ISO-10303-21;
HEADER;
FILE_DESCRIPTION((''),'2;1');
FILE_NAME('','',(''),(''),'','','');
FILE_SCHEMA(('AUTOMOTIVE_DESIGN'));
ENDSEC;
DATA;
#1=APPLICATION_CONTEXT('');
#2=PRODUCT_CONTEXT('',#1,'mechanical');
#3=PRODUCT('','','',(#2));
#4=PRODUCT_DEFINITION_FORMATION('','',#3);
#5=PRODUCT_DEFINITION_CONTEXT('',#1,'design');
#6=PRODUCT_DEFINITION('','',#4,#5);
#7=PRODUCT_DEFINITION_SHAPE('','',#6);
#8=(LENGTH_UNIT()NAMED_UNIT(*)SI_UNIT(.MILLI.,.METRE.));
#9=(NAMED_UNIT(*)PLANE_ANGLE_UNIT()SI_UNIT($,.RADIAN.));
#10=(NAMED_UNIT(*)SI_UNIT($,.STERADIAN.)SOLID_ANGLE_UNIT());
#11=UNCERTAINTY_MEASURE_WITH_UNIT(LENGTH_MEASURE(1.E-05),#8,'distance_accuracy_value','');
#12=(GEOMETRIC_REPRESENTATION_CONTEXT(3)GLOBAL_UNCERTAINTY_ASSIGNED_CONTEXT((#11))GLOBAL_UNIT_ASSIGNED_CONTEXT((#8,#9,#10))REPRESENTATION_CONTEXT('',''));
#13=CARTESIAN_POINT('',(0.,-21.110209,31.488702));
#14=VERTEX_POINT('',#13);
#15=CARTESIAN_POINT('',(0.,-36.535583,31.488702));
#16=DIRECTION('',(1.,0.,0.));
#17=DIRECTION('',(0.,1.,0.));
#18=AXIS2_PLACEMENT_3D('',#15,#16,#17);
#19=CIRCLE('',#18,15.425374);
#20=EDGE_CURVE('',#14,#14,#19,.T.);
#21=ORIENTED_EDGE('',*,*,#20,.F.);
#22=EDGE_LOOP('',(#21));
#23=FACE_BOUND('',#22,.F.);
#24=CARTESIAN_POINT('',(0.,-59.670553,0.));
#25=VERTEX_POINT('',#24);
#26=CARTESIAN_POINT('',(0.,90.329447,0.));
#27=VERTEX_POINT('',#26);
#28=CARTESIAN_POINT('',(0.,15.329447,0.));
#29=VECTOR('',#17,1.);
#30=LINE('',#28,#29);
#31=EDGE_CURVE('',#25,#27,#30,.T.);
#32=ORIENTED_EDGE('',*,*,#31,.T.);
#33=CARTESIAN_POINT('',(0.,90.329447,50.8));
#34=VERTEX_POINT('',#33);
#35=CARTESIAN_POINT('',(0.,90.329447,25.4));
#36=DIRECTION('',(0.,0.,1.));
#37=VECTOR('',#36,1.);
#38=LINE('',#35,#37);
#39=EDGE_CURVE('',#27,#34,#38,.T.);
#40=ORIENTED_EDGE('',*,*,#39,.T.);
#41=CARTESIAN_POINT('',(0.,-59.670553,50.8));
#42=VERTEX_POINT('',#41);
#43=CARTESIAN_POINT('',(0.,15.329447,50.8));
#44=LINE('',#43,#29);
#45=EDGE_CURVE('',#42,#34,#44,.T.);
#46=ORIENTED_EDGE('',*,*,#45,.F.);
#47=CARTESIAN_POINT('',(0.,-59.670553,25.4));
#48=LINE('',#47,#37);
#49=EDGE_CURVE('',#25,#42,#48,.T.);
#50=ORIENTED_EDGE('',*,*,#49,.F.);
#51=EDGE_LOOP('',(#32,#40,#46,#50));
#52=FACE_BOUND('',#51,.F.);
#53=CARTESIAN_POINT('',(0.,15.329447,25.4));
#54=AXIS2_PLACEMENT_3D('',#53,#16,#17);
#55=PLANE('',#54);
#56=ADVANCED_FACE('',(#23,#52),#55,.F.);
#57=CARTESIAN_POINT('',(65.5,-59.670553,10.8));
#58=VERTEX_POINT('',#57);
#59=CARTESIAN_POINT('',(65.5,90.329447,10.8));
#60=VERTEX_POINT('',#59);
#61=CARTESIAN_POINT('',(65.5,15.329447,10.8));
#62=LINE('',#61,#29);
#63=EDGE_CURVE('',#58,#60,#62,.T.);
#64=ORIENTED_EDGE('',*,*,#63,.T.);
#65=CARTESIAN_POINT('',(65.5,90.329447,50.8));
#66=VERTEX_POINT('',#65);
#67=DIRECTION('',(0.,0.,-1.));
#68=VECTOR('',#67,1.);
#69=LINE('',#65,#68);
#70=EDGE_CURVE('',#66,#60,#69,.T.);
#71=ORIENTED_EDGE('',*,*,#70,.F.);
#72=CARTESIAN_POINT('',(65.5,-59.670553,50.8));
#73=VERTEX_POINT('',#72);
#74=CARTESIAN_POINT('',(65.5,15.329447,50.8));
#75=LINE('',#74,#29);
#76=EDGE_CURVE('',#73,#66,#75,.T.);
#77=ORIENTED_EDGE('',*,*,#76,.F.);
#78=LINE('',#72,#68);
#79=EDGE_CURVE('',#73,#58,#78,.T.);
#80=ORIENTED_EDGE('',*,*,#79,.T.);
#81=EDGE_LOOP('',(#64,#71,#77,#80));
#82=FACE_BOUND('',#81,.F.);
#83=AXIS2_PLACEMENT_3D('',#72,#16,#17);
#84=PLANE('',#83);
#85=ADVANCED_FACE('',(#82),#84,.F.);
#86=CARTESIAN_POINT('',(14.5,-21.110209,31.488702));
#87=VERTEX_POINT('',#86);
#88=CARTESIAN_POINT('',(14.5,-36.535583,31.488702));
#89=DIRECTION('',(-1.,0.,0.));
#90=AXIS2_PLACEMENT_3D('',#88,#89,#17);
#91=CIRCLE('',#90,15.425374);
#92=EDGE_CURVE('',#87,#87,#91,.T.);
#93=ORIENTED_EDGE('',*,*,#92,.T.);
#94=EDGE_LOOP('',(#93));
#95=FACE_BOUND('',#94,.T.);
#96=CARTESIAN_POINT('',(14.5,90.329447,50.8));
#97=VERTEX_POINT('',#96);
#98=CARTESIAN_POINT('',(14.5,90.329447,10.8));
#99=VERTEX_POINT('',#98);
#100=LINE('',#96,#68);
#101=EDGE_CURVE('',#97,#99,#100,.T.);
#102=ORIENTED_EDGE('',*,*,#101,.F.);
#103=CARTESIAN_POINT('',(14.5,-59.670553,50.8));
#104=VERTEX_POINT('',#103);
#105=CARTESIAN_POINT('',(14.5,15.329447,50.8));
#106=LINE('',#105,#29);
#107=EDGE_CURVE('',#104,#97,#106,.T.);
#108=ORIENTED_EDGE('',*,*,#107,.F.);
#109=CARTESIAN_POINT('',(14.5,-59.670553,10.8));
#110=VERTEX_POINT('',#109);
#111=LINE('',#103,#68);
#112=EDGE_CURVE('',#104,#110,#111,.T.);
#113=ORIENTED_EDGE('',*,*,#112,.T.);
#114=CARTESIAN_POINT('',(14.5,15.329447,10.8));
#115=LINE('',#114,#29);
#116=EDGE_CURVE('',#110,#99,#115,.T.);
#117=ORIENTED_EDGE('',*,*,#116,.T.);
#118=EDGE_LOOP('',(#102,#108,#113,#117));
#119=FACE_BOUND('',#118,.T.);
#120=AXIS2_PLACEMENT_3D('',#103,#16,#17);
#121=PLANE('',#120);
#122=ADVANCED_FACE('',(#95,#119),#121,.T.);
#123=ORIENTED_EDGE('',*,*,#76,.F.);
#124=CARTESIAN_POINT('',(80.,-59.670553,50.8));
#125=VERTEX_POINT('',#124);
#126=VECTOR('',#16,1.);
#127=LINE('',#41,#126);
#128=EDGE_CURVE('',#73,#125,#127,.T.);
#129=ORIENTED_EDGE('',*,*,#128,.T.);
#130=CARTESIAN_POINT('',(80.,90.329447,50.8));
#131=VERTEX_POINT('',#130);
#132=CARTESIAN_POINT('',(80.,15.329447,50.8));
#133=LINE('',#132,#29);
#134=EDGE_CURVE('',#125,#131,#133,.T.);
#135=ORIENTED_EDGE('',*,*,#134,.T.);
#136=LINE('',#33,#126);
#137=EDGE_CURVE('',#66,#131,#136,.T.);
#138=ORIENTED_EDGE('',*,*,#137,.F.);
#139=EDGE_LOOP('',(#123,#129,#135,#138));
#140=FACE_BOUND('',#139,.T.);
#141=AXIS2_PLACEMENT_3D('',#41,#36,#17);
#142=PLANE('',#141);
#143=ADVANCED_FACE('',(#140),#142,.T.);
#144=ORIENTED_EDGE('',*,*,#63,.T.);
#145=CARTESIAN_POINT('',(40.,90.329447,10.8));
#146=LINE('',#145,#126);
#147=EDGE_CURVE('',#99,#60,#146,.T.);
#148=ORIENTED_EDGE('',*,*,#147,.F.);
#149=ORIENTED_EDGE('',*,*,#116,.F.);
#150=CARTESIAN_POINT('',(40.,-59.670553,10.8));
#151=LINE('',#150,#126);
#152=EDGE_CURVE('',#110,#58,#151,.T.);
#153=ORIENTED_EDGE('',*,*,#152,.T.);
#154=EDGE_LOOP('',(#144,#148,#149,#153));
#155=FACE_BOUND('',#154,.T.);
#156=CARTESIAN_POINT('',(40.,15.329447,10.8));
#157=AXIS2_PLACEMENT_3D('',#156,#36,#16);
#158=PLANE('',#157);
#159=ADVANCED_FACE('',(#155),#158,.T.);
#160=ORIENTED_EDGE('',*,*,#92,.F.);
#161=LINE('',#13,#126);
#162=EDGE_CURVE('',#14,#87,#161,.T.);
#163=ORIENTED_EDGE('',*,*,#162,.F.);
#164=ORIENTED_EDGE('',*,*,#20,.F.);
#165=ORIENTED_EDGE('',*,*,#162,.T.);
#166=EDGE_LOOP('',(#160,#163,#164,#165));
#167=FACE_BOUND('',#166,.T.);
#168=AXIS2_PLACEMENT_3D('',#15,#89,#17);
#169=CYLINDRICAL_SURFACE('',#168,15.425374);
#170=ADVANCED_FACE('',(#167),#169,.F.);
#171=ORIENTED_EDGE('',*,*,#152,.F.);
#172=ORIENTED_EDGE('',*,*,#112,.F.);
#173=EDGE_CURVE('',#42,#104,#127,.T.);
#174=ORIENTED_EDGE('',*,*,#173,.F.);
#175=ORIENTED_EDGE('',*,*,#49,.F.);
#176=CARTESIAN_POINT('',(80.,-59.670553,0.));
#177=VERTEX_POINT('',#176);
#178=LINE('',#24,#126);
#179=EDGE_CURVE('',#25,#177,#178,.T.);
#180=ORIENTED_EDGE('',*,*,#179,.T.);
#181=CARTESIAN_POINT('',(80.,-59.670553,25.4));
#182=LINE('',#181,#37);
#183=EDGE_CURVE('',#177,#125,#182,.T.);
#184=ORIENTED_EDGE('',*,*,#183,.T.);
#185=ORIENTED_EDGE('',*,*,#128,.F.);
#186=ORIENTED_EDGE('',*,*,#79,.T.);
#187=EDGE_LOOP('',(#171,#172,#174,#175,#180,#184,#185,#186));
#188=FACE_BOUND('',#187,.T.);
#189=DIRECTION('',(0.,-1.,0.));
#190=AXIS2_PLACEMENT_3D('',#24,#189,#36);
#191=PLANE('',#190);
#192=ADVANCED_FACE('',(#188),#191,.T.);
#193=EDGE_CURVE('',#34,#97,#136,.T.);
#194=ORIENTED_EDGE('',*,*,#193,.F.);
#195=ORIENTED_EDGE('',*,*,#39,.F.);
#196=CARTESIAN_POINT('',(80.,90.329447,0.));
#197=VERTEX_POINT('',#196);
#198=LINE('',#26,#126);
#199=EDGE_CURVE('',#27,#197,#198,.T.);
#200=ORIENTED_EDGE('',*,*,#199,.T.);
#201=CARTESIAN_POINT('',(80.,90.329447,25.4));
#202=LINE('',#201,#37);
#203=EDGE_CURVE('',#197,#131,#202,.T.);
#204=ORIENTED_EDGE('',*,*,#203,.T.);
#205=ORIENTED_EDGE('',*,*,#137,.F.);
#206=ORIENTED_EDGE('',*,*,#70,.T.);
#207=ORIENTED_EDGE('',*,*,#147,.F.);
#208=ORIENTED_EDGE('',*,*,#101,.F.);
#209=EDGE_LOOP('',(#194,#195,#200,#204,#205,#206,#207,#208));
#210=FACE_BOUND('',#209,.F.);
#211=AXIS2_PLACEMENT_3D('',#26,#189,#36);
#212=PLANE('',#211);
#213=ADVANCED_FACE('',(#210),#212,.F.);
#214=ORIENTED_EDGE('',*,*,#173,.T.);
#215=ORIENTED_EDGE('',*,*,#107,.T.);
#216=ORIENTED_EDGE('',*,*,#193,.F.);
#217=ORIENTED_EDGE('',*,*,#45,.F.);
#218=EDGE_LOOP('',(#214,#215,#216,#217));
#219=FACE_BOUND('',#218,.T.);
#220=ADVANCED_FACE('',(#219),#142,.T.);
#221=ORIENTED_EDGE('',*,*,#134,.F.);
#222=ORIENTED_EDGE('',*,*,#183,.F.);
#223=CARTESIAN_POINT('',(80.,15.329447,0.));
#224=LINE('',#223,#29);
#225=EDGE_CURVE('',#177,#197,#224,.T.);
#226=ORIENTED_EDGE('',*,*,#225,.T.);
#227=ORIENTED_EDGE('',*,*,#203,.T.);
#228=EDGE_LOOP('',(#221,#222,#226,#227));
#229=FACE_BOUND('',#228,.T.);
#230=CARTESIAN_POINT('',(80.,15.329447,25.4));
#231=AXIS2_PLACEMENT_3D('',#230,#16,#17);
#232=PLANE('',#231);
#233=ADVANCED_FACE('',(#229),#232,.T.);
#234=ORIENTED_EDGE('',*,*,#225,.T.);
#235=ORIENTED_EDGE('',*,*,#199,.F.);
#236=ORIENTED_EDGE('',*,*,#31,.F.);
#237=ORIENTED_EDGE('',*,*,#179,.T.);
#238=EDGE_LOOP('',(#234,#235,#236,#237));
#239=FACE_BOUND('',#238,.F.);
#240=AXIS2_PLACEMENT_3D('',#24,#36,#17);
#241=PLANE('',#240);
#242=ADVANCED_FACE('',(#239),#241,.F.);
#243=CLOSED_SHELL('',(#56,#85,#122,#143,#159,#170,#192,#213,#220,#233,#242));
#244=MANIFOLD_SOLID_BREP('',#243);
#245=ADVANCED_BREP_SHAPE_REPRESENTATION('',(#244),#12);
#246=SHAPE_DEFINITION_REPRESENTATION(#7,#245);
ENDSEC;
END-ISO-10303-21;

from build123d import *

# Parameters (mm, degrees)
F0_W     = 150
F0_H     = 50.8
F1_DEPTH = 80
F2_W     = 51
F2_H     = 150
F3_DEPTH = 40
F4_R     = 15.425374
F5_DEPTH = 25.4


with BuildPart() as f1:
    # F0 (on Right) → F1 (new body)
    with BuildSketch(Plane.YZ):
        with Locations((15.329447, 25.4)):
            Rectangle(F0_W, F0_H)
    extrude(amount=F1_DEPTH)

    # F2 (on face) → F3 (cut)
    with BuildSketch(Plane.XY.offset(50.8)):
        with Locations((40, 15.329447)):
            Rectangle(F2_W, F2_H)
    extrude(amount=-F3_DEPTH, mode=Mode.SUBTRACT)

    # F4 (on face) → F5 (cut)
    with BuildSketch(Plane.YZ):
        with Locations((-36.535583, 31.488702)):
            Circle(F4_R)
    extrude(amount=F5_DEPTH, mode=Mode.SUBTRACT)


solid = f1.part
